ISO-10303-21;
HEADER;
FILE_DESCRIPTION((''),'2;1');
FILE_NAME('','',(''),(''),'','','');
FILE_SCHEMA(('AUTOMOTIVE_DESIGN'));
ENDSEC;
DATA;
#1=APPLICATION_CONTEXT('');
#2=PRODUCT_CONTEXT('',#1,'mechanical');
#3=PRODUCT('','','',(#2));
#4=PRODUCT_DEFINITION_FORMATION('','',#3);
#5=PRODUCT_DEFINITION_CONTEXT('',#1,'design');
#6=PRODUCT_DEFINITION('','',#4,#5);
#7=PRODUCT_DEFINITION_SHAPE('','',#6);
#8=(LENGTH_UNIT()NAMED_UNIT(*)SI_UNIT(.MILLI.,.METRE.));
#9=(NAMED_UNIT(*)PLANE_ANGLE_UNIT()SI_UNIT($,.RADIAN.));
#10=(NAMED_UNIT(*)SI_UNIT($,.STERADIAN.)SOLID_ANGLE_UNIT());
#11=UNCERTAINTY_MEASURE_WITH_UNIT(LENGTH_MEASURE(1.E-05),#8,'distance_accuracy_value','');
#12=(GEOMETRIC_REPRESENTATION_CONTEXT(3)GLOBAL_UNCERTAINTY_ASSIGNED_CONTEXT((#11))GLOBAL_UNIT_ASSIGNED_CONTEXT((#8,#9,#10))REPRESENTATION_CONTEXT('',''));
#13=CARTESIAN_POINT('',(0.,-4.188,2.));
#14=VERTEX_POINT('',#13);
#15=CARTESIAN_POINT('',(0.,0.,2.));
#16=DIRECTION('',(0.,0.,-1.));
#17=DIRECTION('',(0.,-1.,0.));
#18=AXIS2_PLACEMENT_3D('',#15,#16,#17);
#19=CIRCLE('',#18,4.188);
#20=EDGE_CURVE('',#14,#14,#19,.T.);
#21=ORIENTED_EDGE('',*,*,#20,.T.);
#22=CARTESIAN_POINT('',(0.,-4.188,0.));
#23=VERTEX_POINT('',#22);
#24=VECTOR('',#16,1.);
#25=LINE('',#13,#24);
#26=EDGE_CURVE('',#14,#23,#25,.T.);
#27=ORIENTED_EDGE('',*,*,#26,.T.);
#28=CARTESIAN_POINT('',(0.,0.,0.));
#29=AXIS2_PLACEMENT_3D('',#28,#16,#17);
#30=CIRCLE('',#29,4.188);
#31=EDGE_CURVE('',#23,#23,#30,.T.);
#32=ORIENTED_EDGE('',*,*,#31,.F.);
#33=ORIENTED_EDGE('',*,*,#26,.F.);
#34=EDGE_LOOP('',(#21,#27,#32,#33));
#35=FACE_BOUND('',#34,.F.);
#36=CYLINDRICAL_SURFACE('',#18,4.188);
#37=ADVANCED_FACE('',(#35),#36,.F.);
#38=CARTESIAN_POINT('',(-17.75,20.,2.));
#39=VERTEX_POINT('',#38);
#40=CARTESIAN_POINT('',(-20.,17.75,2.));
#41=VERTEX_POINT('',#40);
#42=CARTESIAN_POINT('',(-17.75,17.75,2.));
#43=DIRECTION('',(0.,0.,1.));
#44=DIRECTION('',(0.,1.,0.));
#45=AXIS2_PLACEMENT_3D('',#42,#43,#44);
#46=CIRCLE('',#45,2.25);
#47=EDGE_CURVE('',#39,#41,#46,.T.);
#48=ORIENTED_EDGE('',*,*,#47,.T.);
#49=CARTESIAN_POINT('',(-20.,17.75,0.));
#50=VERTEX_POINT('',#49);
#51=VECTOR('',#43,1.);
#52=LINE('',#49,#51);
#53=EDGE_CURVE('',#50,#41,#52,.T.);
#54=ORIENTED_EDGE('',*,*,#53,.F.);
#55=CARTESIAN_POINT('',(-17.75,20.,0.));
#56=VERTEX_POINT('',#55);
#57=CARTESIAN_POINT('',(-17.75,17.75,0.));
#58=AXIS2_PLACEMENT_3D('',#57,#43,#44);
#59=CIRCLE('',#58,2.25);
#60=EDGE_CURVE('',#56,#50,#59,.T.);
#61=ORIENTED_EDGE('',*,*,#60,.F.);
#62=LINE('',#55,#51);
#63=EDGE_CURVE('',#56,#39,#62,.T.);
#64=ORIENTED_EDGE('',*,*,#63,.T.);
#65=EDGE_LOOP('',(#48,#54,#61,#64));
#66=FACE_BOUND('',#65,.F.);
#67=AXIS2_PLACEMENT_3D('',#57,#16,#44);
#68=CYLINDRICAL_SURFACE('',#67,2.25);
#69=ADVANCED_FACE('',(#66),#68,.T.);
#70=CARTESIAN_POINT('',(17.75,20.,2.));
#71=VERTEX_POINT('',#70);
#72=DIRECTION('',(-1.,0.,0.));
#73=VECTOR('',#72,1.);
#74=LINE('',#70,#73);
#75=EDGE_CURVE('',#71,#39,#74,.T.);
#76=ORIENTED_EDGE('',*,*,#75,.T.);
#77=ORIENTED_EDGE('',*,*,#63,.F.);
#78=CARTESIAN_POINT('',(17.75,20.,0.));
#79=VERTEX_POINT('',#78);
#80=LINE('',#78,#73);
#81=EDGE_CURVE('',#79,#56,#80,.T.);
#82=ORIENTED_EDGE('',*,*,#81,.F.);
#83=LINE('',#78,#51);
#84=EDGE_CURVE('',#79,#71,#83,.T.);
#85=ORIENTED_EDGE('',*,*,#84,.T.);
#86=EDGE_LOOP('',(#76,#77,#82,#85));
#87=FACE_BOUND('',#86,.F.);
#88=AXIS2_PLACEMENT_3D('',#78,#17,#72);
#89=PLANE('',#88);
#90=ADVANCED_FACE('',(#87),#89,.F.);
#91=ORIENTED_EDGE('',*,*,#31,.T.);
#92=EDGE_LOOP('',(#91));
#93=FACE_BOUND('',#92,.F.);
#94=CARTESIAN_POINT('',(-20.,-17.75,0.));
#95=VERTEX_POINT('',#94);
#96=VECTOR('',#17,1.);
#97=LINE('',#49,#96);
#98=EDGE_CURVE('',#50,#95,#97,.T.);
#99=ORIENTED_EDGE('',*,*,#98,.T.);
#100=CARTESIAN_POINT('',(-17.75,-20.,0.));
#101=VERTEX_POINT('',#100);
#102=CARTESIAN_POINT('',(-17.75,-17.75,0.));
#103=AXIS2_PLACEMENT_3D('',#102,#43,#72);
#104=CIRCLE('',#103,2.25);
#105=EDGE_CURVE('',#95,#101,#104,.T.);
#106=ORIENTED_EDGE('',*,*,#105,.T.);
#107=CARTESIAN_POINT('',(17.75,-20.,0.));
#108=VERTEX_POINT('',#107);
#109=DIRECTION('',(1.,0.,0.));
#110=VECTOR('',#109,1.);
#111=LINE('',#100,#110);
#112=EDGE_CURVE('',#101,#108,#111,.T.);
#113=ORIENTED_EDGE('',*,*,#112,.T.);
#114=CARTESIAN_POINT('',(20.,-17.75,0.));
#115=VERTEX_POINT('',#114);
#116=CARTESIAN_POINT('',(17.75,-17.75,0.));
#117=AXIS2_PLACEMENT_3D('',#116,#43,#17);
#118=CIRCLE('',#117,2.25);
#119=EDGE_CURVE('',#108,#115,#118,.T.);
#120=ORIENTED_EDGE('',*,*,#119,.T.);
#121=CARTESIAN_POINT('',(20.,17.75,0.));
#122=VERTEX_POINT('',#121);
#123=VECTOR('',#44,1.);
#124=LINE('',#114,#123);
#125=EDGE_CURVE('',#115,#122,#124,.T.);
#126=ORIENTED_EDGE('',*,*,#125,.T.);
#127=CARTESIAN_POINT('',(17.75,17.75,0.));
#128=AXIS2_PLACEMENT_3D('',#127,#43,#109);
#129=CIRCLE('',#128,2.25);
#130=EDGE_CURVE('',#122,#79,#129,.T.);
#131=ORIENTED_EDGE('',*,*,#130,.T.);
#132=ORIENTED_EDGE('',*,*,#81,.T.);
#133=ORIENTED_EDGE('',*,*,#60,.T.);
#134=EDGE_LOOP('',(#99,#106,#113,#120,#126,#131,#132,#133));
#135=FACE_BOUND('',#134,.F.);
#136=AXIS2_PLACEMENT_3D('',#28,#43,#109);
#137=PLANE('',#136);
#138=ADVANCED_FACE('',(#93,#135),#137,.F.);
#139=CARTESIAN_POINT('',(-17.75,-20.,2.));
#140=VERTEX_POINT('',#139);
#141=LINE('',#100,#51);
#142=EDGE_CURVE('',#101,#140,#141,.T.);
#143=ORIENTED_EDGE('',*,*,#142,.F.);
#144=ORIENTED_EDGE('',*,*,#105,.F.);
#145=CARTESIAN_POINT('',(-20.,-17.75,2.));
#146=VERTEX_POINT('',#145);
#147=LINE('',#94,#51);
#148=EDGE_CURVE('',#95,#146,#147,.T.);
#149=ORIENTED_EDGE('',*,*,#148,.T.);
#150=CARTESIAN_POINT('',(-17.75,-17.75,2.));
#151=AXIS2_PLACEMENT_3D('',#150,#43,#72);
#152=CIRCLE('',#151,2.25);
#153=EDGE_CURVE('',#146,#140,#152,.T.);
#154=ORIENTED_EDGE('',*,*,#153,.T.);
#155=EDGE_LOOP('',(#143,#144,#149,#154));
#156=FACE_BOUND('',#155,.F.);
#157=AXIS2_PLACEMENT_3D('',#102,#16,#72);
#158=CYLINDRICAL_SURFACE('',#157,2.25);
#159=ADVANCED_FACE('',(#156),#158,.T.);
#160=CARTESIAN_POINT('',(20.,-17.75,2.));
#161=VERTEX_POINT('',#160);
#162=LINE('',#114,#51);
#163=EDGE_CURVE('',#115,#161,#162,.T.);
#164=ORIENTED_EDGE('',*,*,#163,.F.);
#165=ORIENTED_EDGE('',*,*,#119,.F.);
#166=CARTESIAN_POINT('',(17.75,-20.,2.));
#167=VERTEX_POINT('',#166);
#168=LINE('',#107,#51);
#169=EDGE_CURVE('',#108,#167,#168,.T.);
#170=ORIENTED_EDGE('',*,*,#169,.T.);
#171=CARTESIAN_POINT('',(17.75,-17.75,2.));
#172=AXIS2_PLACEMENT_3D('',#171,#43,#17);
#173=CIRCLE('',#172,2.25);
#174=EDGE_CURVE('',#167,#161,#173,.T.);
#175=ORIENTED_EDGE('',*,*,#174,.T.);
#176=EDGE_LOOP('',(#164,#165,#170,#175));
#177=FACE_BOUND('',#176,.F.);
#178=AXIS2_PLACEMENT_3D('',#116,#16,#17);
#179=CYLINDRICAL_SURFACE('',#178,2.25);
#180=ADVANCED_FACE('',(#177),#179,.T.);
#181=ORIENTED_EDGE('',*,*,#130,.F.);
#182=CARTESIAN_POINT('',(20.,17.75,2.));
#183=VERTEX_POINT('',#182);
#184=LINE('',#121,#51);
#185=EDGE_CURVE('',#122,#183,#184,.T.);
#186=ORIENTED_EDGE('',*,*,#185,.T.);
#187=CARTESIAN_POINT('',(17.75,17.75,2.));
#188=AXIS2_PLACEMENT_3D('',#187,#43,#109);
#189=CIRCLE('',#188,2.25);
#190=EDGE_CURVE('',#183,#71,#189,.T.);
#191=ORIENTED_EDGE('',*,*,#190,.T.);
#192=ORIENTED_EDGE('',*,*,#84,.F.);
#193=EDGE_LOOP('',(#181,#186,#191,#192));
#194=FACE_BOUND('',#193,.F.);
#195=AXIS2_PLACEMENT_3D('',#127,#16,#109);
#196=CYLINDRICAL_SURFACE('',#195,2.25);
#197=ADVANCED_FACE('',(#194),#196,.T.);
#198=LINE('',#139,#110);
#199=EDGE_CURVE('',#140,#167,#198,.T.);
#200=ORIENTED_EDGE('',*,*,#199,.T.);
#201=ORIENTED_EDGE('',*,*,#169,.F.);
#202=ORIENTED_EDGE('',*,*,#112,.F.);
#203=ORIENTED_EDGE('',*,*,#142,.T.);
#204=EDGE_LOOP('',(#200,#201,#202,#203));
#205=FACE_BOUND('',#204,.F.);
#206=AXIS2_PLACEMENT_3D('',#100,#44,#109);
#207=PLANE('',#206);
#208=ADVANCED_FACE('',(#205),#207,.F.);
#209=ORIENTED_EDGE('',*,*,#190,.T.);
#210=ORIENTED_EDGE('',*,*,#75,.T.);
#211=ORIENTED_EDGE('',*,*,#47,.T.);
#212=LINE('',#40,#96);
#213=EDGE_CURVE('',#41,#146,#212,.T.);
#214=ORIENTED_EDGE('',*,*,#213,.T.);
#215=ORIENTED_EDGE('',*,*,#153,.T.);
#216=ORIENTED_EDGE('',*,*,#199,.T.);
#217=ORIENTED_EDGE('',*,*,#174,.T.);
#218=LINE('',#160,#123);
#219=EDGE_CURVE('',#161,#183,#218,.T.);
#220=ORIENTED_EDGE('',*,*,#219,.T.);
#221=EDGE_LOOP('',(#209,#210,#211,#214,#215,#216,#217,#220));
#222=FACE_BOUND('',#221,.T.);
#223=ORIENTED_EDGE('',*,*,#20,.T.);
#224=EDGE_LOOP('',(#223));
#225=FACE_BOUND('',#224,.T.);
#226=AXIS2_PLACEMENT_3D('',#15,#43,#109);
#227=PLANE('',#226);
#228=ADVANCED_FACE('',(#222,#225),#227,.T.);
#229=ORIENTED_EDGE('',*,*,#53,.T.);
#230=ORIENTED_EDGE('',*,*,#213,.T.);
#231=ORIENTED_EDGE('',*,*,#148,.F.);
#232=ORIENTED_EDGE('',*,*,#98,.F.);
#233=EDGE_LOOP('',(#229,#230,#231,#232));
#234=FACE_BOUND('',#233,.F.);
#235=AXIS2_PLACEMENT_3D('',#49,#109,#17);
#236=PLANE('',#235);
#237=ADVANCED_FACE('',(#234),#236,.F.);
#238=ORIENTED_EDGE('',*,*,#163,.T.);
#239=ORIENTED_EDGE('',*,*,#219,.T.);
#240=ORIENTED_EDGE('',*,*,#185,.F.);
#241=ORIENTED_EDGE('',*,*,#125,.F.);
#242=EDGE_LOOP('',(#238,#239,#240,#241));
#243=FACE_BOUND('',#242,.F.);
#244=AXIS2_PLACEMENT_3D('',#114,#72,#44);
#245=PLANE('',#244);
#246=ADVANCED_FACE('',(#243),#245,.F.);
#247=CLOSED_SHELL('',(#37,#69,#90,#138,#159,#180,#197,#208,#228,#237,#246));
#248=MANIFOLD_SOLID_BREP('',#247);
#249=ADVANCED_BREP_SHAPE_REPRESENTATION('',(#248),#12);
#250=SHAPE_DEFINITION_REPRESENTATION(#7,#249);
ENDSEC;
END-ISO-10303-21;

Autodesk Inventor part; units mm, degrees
ref_plane "YZ Plane" through (0, 0, 0) normal (1, 0, 0) x (0, 1, 0)
ref_plane "XZ Plane" through (0, 0, 0) normal (0, 1, 0) x (-1, 0, 0)
ref_plane "XY Plane" through (0, 0, 0) normal (0, 0, 1) x (1, 0, 0)
sketch "Sketch1" plane through (0, 0, 0) normal (0, 0, 1) x (1, 0, 0)
  line L0 (17.75, 20) -> (-17.75, 20)
  arc A0 (-17.75, 20) -> (-20, 17.75) centre (-17.75, 17.75) ccw
  line L1 (-20, 17.75) -> (-20, -17.75)
  arc A1 (-20, -17.75) -> (-17.75, -20) centre (-17.75, -17.75) ccw
  line L2 (-17.75, -20) -> (17.75, -20)
  arc A2 (17.75, -20) -> (20, -17.75) centre (17.75, -17.75) ccw
  line L3 (20, -17.75) -> (20, 17.75)
  arc A3 (20, 17.75) -> (17.75, 20) centre (17.75, 17.75) ccw
  point P0 (0, 0)
extrude "Plate1" add sketch "Sketch1" along normal blind 2
sketch "Sketch3" plane through (0, 0, 2) normal (0, 0, 1) x (1, 0, 0)
  point P0 (0, 0)
  point P1 (0, 0)
hole "Hole1" at (0, 0, 2) direction (0, 0, -1) diameter 8.376 depth 2 tip angle 118 thread size "M10x1.5" class "6H" standard "ANSI Metric M Profile"
equation "\"d6\" = Thickness"
equation "\"BendRadius\" = Thickness"
equation "\"BendReliefWidth\" = Thickness"
equation "\"BendReliefDepth\" = 0.5 * Thickness"
equation "\"CornerReliefSize\" = 4 * Thickness"
equation "\"MinimumRemnant\" = 2 * Thickness"
equation "\"TransitionRadius\" = BendRadius"
equation "\"JacobiRadiusSize\" = BendRadius"
equation "\"GapSize\" = Thickness"
equation "\"d0\" = BendRadius"
equation "\"Thickness\" = 2"
properties part number "Chapa 40x40" material "Stainless Steel"
